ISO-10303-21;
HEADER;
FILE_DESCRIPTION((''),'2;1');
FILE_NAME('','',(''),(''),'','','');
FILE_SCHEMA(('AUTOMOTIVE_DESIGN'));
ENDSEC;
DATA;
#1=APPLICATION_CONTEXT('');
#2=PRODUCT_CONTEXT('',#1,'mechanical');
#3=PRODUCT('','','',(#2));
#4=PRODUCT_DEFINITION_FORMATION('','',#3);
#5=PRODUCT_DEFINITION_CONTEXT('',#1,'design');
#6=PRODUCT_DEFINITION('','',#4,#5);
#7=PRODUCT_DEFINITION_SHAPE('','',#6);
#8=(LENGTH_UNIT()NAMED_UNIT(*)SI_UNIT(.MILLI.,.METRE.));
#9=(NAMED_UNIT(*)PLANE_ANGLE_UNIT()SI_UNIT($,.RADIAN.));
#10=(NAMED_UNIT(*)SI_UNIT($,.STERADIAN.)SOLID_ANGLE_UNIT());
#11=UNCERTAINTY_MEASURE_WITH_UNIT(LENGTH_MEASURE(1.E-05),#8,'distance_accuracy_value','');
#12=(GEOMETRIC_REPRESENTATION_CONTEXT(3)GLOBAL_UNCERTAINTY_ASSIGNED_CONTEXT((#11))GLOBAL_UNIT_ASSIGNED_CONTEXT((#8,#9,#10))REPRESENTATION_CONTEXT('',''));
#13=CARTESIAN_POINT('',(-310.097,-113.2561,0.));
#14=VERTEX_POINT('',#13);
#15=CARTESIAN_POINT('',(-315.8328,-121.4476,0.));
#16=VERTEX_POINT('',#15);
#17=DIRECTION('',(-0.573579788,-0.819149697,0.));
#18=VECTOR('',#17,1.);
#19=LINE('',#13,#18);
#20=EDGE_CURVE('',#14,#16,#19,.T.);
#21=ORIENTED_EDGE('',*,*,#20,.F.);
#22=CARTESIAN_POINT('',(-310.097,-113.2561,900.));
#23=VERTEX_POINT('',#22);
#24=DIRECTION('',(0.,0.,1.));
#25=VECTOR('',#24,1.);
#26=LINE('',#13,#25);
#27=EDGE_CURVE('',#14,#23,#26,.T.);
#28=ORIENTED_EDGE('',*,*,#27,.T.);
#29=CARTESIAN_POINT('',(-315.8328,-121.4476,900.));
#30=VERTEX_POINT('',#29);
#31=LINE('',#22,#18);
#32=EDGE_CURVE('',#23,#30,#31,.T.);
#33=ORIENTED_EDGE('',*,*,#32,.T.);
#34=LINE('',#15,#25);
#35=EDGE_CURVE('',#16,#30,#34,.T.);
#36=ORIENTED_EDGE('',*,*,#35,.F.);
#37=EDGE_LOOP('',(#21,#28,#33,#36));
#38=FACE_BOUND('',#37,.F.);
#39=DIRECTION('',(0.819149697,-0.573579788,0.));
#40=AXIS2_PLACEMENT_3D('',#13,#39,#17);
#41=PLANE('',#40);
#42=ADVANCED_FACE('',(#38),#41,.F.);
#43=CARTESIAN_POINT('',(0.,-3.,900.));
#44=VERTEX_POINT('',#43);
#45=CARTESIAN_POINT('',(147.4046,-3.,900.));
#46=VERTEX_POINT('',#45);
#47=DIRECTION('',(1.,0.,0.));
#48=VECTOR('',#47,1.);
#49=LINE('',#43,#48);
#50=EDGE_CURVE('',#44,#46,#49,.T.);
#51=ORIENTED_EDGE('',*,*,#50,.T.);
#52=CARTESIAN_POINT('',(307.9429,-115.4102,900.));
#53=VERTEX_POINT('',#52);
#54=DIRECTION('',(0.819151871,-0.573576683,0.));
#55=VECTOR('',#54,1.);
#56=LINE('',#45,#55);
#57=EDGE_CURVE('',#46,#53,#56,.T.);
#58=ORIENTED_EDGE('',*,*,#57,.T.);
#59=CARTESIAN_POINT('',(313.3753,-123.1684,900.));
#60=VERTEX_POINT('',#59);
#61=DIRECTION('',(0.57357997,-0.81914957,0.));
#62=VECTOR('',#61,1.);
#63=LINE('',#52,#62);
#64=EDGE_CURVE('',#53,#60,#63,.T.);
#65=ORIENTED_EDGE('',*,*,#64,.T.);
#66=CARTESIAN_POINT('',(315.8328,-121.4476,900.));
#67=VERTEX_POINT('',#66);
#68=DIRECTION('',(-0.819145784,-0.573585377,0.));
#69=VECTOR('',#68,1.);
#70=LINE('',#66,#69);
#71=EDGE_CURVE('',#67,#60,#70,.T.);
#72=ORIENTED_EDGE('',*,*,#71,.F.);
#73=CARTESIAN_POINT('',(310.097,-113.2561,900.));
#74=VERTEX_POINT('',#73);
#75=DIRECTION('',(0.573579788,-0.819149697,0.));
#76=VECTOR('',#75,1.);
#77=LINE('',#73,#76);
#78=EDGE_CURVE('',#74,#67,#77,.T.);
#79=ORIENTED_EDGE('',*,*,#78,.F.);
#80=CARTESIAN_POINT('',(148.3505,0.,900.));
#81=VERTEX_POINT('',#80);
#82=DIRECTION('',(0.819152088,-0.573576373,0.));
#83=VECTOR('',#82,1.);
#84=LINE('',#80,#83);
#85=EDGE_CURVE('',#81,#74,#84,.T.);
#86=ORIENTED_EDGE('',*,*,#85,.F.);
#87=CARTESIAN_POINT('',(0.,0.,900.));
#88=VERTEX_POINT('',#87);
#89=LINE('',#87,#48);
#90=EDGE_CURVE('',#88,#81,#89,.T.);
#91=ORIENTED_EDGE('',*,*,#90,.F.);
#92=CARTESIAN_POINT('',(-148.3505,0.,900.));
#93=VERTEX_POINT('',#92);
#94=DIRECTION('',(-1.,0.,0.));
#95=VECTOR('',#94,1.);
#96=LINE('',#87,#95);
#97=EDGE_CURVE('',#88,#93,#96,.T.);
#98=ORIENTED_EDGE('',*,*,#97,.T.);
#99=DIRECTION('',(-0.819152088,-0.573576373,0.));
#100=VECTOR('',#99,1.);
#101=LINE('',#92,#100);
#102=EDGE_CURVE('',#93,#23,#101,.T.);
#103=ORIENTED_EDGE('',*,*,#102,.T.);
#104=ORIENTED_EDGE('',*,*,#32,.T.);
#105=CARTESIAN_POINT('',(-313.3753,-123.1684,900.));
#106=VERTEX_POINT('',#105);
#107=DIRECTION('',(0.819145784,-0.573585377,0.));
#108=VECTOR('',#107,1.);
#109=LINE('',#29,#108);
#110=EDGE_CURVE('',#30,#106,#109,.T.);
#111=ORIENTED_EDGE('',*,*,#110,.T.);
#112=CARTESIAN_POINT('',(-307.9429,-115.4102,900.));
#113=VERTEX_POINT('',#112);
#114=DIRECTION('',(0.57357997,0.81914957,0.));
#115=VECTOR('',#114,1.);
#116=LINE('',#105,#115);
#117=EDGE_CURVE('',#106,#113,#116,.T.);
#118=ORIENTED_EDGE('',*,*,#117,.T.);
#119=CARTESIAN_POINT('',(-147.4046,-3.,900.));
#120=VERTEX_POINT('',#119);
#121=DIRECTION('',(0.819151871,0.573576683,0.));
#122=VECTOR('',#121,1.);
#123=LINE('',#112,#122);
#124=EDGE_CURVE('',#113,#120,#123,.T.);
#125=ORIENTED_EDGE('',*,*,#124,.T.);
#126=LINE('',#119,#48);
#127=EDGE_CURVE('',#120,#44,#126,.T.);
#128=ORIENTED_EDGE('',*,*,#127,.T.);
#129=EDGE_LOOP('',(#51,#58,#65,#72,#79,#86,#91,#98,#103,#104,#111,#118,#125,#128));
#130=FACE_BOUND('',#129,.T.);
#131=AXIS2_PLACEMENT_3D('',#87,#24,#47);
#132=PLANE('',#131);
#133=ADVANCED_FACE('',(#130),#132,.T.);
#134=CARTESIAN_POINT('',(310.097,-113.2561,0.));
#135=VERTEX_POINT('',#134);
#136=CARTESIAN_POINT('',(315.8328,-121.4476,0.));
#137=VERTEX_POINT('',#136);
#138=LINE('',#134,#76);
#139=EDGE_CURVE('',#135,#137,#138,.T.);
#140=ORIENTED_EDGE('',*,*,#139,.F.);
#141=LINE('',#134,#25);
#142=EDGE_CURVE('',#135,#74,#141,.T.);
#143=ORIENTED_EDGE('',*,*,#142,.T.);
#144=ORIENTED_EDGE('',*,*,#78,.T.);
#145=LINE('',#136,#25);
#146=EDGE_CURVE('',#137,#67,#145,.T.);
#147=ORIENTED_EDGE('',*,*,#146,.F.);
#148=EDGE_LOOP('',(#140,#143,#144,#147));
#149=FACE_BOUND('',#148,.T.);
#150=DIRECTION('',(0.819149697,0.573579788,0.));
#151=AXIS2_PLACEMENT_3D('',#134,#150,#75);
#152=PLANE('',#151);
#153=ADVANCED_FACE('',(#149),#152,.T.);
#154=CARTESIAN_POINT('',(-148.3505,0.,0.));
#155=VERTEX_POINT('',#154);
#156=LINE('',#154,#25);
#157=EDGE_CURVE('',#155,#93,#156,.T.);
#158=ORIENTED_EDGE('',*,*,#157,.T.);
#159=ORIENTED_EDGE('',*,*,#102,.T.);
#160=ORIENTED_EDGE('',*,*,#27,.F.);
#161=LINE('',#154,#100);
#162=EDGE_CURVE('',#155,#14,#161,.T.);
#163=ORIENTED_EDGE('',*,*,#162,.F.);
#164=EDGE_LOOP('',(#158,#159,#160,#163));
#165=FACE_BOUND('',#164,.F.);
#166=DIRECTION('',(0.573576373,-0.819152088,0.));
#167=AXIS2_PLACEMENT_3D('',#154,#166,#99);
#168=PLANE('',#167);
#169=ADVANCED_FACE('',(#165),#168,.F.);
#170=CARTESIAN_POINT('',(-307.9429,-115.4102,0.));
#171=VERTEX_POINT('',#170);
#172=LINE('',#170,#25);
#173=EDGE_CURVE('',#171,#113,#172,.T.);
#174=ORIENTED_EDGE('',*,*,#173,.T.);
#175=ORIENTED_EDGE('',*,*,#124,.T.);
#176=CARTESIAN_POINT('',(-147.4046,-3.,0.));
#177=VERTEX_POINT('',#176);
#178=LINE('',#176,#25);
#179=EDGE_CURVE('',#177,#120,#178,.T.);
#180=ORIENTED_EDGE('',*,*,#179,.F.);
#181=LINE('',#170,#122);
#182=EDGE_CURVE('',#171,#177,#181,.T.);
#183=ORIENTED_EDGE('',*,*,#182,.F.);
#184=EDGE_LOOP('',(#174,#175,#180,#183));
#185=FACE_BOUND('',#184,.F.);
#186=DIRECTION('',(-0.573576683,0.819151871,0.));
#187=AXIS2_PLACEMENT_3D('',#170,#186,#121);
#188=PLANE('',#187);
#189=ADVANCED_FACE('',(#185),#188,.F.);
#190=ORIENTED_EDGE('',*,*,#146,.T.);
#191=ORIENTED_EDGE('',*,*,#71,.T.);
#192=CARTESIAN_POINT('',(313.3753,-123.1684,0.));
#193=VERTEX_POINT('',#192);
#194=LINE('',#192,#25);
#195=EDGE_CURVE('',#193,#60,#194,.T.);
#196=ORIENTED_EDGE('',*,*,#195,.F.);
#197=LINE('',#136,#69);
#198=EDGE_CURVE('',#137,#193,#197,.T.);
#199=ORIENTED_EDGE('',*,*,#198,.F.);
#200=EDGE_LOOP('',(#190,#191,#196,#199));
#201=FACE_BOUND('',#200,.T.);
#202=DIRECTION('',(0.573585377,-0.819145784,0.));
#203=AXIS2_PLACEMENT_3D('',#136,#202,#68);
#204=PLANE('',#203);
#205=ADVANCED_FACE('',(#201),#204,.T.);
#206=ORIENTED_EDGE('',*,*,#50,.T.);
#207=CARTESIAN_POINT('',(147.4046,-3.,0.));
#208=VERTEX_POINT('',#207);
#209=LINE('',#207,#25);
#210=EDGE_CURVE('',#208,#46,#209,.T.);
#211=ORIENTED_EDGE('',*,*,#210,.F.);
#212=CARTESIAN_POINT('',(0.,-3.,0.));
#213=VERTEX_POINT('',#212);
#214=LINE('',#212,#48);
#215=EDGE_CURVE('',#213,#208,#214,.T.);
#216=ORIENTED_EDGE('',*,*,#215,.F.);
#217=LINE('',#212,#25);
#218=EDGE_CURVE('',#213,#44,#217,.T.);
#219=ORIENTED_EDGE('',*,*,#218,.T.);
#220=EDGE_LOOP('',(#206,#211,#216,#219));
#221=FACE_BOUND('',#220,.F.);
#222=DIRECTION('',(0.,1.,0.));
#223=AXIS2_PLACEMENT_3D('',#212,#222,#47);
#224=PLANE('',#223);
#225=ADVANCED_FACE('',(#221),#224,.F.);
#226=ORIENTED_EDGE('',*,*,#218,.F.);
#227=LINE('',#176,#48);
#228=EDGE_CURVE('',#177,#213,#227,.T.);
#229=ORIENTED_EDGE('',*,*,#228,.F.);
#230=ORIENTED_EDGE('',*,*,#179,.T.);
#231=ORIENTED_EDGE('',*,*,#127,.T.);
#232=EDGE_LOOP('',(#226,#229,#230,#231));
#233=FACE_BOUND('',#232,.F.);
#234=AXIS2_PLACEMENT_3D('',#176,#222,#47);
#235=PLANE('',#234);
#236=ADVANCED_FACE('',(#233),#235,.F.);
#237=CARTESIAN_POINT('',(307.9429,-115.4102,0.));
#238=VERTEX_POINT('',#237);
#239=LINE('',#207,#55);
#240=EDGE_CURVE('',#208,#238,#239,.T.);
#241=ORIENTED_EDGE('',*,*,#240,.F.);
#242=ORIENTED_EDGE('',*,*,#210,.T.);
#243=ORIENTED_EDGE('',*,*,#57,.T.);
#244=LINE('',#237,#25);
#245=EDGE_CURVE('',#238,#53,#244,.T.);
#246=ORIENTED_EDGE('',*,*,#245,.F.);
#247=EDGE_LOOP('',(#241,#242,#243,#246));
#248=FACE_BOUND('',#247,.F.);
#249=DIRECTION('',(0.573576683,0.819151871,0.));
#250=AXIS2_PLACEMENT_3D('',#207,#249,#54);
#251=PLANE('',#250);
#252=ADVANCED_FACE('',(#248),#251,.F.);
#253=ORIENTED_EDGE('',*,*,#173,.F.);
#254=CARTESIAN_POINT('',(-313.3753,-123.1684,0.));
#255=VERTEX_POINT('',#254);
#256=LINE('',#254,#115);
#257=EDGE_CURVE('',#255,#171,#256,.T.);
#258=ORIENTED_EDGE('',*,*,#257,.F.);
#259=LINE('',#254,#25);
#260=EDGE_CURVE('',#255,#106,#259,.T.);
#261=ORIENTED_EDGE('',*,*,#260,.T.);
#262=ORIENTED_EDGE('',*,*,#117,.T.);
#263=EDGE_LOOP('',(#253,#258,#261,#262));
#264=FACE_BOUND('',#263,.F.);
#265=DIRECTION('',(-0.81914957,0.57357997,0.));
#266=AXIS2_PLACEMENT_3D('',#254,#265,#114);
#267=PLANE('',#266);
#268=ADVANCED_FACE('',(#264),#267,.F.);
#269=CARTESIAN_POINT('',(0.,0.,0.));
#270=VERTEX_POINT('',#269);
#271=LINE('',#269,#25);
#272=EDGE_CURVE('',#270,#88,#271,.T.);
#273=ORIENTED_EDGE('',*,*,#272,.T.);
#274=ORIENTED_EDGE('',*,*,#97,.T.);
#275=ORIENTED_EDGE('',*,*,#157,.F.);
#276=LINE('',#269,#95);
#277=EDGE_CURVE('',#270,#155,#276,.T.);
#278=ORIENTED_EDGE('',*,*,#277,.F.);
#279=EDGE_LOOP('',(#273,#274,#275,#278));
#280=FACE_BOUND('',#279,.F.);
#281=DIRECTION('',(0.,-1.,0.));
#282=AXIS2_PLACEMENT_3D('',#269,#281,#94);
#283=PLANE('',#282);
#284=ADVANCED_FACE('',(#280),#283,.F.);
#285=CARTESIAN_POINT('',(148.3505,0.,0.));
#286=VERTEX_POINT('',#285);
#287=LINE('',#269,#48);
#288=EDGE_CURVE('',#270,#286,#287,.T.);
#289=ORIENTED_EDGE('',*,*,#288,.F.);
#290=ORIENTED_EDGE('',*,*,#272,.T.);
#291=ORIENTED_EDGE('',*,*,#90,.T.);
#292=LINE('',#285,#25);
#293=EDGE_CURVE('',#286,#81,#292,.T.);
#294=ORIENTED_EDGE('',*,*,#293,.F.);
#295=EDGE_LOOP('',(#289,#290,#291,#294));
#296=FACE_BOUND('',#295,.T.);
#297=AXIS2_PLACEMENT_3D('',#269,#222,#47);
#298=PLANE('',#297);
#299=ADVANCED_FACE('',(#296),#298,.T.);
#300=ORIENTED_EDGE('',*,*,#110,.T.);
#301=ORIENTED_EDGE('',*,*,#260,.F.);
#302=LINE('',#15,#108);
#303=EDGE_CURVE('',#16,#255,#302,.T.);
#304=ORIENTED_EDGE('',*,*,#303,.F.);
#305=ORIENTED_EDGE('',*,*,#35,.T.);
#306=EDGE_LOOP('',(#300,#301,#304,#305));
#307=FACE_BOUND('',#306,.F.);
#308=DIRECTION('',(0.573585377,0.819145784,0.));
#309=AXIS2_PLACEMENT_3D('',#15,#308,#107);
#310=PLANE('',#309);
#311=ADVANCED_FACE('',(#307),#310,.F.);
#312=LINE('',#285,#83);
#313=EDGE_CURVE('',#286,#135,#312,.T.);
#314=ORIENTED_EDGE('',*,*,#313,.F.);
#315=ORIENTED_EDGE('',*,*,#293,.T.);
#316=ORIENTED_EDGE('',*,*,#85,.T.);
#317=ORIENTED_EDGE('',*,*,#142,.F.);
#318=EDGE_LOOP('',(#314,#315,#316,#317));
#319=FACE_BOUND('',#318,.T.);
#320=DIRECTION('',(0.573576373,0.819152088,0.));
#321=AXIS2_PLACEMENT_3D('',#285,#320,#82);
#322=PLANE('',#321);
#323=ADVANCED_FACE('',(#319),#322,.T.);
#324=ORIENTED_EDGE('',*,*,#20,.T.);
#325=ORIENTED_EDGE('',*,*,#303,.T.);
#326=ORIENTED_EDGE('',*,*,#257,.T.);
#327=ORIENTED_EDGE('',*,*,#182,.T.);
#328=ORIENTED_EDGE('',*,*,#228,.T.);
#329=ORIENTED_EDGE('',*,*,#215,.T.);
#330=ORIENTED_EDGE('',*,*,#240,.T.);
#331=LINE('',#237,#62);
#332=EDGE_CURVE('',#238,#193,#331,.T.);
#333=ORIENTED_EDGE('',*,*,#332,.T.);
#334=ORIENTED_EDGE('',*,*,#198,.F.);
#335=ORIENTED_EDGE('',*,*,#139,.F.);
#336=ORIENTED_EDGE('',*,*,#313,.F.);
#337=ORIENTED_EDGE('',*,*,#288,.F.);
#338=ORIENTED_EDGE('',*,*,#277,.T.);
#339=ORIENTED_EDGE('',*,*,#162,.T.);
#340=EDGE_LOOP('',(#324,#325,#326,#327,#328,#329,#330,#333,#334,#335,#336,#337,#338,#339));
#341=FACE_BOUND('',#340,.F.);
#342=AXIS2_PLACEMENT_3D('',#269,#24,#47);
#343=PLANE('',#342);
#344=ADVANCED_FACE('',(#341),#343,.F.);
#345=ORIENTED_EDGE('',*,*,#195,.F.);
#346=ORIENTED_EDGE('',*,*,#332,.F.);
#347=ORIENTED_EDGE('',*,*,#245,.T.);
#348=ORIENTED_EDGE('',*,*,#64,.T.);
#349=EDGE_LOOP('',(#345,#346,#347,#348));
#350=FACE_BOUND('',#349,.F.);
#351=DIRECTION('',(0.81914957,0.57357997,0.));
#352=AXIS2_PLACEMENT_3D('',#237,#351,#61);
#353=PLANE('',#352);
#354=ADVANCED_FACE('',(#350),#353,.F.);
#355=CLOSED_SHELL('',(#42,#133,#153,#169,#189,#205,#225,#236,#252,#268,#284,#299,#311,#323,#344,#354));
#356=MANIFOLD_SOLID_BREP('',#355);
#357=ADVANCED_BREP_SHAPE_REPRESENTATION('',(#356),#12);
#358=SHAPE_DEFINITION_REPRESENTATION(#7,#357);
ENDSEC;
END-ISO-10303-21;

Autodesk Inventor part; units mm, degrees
ref_plane "YZ Plane" through (0, 0, 0) normal (1, 0, 0) x (0, 1, 0)
ref_plane "XZ Plane" through (0, 0, 0) normal (0, 1, 0) x (-1, 0, 0)
ref_plane "XY Plane" through (0, 0, 0) normal (0, 0, 1) x (1, 0, 0)
sketch "Skizze1" plane through (0, 0, 0) normal (0, 0, 1) x (1, 0, 0)
  line L0 (0, 0) -> (148.3505, 0)
  line L1 (0, 0) -> (-148.3505, 0)
  line L2 (-148.3505, 0) -> (-310.097, -113.2561)
  line L3 (148.3505, 0) -> (310.097, -113.2561)
  line L4 (310.097, -113.2561) -> (315.8328, -121.4476)
  line L5 (-310.097, -113.2561) -> (-315.8328, -121.4476)
  line L6 (-313.3753, -123.1684) -> (-307.9429, -115.4102)
  line L7 (-307.9429, -115.4102) -> (-147.4046, -3)
  line L8 (-147.4046, -3) -> (0, -3)
  line L9 (0, -3) -> (147.4046, -3)
  line L10 (147.4046, -3) -> (307.9429, -115.4102)
  line L11 (307.9429, -115.4102) -> (313.3753, -123.1684)
  line L12 (-315.8328, -121.4476) -> (-313.3753, -123.1684)
  line L13 (315.8328, -121.4476) -> (313.3753, -123.1684)
  dimension "d0" = 145
  dimension "d1" = 160
  dimension "d2" = 145
  dimension "d3" = 160
  dimension "d4" = 197.456
  dimension "d5" = 296.701
  dimension "d6" = 10
  dimension "d7" = 3
extrude "Extrusion1" add sketch "Skizze1" along normal blind 900
properties part number "Gummi Matte" material "Gummi"
